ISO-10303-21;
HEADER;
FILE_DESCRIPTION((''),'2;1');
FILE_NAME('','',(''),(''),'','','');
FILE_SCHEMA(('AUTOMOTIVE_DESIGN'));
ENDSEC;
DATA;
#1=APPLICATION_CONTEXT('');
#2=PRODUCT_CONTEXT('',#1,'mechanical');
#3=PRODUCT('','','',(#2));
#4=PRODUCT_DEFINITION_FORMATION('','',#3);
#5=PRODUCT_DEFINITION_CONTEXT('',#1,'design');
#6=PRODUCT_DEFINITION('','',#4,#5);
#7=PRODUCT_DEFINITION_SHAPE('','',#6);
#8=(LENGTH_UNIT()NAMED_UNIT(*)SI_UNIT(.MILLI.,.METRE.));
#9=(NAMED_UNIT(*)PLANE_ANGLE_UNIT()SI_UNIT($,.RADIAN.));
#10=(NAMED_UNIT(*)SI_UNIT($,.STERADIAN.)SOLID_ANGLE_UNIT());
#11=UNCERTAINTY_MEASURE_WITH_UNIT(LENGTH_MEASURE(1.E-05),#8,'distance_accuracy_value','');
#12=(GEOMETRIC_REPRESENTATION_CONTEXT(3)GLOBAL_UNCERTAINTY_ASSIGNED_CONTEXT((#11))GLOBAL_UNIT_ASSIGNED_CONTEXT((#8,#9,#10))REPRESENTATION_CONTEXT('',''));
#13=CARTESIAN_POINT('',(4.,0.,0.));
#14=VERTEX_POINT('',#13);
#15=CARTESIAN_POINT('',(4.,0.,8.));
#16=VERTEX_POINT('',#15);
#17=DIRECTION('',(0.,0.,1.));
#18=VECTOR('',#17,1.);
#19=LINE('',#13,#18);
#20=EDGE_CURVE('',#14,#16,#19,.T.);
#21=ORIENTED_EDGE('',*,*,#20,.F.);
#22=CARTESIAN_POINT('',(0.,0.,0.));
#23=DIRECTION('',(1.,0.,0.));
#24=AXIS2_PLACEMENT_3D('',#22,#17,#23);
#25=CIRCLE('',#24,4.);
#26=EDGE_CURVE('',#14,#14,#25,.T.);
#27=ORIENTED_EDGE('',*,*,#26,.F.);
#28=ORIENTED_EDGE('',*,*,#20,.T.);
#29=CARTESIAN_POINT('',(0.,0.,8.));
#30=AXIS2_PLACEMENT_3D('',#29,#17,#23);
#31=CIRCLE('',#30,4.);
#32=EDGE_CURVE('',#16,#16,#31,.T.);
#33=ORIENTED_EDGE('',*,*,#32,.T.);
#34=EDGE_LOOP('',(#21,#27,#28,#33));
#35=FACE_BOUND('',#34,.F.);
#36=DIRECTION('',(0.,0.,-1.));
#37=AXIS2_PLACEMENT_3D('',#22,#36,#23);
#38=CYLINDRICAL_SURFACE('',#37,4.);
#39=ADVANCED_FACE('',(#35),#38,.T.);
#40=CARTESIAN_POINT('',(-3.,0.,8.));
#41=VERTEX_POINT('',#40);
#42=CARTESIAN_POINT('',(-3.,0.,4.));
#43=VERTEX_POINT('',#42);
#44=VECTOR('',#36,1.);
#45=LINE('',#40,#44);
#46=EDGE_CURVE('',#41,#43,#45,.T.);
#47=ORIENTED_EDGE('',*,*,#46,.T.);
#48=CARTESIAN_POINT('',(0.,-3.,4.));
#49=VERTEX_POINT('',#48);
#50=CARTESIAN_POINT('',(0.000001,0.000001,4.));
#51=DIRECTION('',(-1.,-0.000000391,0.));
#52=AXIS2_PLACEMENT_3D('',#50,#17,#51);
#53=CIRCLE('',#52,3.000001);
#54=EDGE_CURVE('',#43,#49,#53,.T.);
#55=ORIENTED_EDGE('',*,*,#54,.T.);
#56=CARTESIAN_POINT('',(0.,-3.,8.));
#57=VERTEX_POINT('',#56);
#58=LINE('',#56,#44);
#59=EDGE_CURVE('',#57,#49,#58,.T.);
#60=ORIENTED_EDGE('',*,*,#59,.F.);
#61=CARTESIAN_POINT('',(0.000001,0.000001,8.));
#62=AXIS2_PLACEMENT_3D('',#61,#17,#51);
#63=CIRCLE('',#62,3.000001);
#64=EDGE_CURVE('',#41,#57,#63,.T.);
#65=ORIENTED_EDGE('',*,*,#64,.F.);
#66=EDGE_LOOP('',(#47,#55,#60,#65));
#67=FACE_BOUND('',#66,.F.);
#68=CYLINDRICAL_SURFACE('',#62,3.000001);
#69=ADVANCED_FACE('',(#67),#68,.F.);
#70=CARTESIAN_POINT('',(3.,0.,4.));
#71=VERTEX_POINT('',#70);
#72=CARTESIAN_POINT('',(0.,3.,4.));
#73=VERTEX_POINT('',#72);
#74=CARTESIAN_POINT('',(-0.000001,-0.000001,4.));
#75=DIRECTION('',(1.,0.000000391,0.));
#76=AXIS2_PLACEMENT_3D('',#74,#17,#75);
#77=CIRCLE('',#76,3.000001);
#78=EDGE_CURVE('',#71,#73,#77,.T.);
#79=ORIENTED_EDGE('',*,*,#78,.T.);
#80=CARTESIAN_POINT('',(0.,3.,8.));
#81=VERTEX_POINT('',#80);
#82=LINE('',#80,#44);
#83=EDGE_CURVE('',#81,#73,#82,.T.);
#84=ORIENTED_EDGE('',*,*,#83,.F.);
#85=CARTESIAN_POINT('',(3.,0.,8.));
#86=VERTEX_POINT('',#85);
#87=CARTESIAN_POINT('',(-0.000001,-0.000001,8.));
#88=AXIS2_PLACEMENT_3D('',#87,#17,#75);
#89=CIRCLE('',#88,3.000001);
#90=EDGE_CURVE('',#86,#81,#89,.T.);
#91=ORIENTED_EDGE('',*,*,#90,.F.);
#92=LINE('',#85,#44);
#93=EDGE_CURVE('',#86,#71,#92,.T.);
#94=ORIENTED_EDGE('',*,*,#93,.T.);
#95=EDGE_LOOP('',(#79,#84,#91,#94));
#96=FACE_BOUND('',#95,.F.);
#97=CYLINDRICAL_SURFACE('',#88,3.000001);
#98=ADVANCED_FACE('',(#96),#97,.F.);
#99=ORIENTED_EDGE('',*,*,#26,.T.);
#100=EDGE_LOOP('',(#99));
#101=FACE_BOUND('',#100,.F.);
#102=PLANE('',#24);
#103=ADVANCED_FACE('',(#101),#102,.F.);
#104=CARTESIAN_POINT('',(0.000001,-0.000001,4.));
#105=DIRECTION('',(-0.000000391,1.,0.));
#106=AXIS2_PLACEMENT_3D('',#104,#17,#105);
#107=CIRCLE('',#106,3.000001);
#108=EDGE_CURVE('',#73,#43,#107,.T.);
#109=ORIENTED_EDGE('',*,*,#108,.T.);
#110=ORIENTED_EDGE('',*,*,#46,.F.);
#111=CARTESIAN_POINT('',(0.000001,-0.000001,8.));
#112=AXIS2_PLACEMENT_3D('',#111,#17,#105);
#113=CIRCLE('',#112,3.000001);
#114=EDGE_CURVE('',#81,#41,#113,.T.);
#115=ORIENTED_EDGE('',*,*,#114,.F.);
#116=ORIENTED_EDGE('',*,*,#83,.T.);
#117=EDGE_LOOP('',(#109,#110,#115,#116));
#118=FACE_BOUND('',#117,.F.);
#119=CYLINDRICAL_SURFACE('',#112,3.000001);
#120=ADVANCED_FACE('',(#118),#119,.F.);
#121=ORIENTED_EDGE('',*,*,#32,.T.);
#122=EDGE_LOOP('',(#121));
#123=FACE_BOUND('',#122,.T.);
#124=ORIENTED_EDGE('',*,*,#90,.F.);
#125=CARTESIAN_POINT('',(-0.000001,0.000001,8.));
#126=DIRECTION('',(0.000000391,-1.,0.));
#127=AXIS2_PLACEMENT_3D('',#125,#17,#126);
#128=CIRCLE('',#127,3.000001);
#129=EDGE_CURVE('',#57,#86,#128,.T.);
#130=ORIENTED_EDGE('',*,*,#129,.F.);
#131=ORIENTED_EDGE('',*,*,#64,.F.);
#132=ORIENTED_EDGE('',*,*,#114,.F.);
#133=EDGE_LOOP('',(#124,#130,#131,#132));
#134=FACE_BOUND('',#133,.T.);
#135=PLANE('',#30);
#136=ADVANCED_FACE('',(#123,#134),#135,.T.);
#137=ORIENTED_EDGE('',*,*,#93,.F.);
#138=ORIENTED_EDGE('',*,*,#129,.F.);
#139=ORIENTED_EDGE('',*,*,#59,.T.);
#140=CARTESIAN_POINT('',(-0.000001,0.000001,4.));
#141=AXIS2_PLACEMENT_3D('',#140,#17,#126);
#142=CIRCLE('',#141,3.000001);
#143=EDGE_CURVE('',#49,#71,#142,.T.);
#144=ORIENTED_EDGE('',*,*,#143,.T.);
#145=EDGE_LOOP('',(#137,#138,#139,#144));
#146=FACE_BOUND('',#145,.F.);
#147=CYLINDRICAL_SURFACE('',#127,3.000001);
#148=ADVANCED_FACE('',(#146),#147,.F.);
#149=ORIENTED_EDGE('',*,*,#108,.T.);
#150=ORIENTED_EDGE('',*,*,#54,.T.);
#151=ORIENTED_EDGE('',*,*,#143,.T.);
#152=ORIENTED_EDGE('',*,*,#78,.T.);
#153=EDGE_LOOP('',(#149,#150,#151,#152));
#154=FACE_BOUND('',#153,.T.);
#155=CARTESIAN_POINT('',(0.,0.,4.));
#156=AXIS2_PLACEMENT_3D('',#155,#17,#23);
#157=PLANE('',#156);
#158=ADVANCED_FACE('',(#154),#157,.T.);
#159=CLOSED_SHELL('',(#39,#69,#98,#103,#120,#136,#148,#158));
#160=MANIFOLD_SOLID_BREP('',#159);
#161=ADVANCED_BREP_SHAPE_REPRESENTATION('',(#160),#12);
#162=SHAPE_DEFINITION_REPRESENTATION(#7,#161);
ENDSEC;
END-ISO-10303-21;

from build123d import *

# Parameters (mm, degrees)
F0_R     = 4
F1_DEPTH = 8
F3_DEPTH = 4


with BuildPart() as f1:
    # F0 (on Top) → F1 (new body)
    with BuildSketch(Plane.XY):
        Circle(F0_R)
    extrude(amount=F1_DEPTH)

    # F2 (on face) → F3 (cut)
    with BuildSketch(Plane.XY.offset(8)):
        with BuildLine():
            ThreePointArc((3, 0), (2.12132, 2.12132), (0, 3))
            ThreePointArc((0, 3), (-2.12132, 2.12132), (-3, 0))
            ThreePointArc((-3, 0), (-2.12132, -2.12132), (0, -3))
            ThreePointArc((0, -3), (2.12132, -2.12132), (3, 0))
        make_face()
    extrude(amount=-F3_DEPTH, mode=Mode.SUBTRACT)


solid = f1.part
